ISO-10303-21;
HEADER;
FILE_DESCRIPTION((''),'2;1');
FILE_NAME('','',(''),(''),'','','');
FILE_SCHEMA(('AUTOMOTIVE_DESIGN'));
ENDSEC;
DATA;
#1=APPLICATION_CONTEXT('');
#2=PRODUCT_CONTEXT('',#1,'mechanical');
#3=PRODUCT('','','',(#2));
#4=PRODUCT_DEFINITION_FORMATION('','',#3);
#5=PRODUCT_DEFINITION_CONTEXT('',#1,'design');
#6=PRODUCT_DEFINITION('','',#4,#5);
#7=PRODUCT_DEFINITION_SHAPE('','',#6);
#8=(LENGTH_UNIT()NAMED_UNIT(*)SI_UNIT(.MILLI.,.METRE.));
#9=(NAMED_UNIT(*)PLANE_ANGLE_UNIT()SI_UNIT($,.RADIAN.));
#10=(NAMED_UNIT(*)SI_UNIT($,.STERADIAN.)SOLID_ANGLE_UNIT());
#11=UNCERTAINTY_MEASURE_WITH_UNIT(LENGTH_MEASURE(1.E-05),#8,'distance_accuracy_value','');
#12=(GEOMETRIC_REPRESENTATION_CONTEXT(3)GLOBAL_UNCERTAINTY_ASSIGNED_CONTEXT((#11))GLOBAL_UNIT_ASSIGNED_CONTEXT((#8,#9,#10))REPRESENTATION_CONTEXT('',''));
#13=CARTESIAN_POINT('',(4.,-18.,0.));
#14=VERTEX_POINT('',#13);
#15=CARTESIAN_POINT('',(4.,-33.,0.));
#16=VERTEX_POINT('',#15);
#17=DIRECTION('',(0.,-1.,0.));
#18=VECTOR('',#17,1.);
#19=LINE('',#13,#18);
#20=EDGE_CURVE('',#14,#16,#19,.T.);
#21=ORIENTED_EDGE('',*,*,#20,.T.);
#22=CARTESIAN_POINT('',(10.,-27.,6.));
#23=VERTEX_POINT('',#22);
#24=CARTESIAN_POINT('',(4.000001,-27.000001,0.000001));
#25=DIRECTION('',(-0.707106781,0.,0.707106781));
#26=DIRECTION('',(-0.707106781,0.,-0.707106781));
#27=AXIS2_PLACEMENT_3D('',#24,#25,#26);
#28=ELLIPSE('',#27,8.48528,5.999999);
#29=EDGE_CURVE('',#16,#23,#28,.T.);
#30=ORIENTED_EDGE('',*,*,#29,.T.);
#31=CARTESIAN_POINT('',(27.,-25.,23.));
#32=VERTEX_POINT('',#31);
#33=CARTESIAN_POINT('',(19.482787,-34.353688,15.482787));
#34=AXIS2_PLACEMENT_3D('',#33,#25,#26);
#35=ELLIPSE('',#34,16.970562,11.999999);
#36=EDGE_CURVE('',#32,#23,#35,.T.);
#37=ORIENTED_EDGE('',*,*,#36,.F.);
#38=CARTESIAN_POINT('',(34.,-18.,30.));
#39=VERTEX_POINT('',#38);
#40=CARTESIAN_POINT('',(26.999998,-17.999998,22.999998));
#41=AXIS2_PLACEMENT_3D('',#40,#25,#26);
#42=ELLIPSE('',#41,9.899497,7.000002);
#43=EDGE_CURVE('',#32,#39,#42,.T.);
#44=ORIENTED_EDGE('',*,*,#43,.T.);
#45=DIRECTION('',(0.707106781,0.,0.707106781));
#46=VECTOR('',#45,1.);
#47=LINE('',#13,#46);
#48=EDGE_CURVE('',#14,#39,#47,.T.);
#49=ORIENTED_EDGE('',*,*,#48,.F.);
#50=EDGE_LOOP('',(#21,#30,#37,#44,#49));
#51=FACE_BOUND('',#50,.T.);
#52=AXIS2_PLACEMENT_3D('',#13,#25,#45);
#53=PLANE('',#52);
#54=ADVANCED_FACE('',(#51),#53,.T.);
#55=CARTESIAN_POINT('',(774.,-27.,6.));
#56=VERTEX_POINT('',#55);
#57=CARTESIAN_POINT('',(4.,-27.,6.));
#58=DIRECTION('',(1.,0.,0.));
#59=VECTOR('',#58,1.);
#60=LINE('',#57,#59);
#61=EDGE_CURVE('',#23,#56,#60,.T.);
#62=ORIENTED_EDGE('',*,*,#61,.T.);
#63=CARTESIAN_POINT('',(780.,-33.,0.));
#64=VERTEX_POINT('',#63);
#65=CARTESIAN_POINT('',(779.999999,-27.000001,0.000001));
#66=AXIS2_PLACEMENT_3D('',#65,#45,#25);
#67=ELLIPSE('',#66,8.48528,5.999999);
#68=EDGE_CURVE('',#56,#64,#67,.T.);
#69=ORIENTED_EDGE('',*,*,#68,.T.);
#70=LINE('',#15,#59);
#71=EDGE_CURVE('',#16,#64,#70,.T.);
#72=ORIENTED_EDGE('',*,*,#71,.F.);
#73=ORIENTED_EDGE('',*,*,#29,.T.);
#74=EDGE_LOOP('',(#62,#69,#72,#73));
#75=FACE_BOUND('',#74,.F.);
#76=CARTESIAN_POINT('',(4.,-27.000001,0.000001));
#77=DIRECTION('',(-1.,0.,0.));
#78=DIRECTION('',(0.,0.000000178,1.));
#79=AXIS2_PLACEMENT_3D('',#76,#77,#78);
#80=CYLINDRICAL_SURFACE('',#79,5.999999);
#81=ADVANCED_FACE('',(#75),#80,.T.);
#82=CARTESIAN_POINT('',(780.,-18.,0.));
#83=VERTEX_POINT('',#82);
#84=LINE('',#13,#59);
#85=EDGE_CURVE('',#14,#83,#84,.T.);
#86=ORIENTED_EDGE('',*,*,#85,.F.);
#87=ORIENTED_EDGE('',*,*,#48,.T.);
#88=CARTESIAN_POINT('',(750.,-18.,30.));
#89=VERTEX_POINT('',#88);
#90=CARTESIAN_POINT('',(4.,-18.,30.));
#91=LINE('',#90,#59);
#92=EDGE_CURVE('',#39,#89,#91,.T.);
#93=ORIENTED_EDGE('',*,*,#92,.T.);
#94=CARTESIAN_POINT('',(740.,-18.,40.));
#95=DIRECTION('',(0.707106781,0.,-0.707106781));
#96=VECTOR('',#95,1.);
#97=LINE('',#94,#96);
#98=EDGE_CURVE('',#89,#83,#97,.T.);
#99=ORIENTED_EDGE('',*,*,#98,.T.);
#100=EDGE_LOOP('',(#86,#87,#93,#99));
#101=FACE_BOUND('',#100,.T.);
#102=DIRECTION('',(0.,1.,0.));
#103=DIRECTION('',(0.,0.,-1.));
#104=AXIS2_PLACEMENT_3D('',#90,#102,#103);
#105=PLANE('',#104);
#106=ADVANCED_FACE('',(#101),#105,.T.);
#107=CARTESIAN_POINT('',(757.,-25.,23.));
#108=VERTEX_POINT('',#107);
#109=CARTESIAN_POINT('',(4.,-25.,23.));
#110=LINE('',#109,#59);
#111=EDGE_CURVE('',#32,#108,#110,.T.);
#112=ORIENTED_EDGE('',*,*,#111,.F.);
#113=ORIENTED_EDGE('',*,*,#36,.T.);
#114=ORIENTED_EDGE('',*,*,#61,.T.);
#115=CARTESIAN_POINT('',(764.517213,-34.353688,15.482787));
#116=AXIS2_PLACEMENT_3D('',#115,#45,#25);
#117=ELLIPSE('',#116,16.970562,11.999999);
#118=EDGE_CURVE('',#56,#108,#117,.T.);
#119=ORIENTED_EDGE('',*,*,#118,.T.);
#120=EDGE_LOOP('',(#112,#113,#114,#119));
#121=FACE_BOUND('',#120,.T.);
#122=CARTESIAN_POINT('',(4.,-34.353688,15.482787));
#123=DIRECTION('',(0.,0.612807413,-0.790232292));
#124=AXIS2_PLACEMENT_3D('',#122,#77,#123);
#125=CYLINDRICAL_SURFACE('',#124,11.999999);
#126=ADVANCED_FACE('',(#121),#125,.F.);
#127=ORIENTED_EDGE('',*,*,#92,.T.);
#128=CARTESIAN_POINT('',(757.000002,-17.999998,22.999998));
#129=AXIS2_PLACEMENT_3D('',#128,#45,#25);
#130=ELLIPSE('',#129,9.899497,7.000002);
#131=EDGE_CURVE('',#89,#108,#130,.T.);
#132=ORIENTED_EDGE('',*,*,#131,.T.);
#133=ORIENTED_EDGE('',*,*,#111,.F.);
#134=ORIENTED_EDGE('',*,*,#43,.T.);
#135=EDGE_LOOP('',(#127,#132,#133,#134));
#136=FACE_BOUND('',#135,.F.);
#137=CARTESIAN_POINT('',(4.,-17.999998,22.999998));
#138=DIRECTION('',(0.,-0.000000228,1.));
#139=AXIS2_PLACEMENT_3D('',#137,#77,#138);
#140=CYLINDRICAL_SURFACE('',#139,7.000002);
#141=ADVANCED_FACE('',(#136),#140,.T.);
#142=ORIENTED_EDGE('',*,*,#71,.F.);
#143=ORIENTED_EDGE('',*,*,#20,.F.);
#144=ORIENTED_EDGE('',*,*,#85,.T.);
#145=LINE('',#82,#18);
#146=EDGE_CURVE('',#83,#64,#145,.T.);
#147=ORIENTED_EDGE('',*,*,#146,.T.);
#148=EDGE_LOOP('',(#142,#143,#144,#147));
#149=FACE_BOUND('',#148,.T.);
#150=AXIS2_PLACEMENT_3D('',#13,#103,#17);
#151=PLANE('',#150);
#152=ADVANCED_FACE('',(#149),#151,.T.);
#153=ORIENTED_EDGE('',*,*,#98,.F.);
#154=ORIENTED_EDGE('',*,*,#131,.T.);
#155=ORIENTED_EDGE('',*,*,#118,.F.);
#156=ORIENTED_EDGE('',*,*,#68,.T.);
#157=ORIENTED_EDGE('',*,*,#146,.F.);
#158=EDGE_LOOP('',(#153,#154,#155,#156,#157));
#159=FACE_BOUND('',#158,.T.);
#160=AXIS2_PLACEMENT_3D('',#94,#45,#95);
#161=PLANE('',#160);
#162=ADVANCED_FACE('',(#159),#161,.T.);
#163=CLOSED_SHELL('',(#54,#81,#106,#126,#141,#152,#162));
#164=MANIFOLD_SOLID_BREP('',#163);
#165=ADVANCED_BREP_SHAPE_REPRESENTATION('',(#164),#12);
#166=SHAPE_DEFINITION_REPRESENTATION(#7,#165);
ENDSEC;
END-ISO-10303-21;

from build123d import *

# Parameters (mm, degrees)
PAD008_DEPTH = 40
PAD007_DEPTH = 40
PAD_DEPTH    = 776


with BuildPart() as body_decoration_bottom_cut_right:
    # Sketch008 → Pad008 (new body)
    with BuildSketch(Plane(origin=(780, -18, 0), x_dir=(1, 0, 0), z_dir=(0, -1, 0))):
        Polygon((-40, 40), (0, 0), (0, 40), align=None)
    extrude(amount=PAD008_DEPTH)


with BuildPart() as body_decoration_bottom_cut_left:
    # Sketch007 → Pad007 (new body)
    with BuildSketch(Plane(origin=(4, -18, 0), x_dir=(1, 0, 0), z_dir=(0, -1, 0))):
        Polygon((0, 0), (40, 40), (0, 40), align=None)
    extrude(amount=PAD007_DEPTH)


with BuildPart() as cut_decoration_bottom:
    # Sketch → Pad (new body)
    with BuildSketch(Plane(origin=(4, -18, 0), x_dir=(0, 1, 0), z_dir=(1, 0, 0))):
        with BuildLine():
            Line((0, 30), (0, 0))
            Line((0, 0), (-15, 0))
            ThreePointArc((-9, 6), (-13.242641, 4.242641), (-15, 0))
            ThreePointArc((-9, 6), (-4.435882, 14.080692), (-7, 23))
            ThreePointArc((0, 30), (-4.949747, 27.949747), (-7, 23))
        make_face()
    extrude(amount=PAD_DEPTH)

    # Cut: cut Body, Decoration, Bottom, Cut, Left
    add(body_decoration_bottom_cut_left.part, mode=Mode.SUBTRACT)

    # Cut001: cut Body, Decoration, Bottom, Cut, Right
    add(body_decoration_bottom_cut_right.part, mode=Mode.SUBTRACT)


solid = cut_decoration_bottom.part
